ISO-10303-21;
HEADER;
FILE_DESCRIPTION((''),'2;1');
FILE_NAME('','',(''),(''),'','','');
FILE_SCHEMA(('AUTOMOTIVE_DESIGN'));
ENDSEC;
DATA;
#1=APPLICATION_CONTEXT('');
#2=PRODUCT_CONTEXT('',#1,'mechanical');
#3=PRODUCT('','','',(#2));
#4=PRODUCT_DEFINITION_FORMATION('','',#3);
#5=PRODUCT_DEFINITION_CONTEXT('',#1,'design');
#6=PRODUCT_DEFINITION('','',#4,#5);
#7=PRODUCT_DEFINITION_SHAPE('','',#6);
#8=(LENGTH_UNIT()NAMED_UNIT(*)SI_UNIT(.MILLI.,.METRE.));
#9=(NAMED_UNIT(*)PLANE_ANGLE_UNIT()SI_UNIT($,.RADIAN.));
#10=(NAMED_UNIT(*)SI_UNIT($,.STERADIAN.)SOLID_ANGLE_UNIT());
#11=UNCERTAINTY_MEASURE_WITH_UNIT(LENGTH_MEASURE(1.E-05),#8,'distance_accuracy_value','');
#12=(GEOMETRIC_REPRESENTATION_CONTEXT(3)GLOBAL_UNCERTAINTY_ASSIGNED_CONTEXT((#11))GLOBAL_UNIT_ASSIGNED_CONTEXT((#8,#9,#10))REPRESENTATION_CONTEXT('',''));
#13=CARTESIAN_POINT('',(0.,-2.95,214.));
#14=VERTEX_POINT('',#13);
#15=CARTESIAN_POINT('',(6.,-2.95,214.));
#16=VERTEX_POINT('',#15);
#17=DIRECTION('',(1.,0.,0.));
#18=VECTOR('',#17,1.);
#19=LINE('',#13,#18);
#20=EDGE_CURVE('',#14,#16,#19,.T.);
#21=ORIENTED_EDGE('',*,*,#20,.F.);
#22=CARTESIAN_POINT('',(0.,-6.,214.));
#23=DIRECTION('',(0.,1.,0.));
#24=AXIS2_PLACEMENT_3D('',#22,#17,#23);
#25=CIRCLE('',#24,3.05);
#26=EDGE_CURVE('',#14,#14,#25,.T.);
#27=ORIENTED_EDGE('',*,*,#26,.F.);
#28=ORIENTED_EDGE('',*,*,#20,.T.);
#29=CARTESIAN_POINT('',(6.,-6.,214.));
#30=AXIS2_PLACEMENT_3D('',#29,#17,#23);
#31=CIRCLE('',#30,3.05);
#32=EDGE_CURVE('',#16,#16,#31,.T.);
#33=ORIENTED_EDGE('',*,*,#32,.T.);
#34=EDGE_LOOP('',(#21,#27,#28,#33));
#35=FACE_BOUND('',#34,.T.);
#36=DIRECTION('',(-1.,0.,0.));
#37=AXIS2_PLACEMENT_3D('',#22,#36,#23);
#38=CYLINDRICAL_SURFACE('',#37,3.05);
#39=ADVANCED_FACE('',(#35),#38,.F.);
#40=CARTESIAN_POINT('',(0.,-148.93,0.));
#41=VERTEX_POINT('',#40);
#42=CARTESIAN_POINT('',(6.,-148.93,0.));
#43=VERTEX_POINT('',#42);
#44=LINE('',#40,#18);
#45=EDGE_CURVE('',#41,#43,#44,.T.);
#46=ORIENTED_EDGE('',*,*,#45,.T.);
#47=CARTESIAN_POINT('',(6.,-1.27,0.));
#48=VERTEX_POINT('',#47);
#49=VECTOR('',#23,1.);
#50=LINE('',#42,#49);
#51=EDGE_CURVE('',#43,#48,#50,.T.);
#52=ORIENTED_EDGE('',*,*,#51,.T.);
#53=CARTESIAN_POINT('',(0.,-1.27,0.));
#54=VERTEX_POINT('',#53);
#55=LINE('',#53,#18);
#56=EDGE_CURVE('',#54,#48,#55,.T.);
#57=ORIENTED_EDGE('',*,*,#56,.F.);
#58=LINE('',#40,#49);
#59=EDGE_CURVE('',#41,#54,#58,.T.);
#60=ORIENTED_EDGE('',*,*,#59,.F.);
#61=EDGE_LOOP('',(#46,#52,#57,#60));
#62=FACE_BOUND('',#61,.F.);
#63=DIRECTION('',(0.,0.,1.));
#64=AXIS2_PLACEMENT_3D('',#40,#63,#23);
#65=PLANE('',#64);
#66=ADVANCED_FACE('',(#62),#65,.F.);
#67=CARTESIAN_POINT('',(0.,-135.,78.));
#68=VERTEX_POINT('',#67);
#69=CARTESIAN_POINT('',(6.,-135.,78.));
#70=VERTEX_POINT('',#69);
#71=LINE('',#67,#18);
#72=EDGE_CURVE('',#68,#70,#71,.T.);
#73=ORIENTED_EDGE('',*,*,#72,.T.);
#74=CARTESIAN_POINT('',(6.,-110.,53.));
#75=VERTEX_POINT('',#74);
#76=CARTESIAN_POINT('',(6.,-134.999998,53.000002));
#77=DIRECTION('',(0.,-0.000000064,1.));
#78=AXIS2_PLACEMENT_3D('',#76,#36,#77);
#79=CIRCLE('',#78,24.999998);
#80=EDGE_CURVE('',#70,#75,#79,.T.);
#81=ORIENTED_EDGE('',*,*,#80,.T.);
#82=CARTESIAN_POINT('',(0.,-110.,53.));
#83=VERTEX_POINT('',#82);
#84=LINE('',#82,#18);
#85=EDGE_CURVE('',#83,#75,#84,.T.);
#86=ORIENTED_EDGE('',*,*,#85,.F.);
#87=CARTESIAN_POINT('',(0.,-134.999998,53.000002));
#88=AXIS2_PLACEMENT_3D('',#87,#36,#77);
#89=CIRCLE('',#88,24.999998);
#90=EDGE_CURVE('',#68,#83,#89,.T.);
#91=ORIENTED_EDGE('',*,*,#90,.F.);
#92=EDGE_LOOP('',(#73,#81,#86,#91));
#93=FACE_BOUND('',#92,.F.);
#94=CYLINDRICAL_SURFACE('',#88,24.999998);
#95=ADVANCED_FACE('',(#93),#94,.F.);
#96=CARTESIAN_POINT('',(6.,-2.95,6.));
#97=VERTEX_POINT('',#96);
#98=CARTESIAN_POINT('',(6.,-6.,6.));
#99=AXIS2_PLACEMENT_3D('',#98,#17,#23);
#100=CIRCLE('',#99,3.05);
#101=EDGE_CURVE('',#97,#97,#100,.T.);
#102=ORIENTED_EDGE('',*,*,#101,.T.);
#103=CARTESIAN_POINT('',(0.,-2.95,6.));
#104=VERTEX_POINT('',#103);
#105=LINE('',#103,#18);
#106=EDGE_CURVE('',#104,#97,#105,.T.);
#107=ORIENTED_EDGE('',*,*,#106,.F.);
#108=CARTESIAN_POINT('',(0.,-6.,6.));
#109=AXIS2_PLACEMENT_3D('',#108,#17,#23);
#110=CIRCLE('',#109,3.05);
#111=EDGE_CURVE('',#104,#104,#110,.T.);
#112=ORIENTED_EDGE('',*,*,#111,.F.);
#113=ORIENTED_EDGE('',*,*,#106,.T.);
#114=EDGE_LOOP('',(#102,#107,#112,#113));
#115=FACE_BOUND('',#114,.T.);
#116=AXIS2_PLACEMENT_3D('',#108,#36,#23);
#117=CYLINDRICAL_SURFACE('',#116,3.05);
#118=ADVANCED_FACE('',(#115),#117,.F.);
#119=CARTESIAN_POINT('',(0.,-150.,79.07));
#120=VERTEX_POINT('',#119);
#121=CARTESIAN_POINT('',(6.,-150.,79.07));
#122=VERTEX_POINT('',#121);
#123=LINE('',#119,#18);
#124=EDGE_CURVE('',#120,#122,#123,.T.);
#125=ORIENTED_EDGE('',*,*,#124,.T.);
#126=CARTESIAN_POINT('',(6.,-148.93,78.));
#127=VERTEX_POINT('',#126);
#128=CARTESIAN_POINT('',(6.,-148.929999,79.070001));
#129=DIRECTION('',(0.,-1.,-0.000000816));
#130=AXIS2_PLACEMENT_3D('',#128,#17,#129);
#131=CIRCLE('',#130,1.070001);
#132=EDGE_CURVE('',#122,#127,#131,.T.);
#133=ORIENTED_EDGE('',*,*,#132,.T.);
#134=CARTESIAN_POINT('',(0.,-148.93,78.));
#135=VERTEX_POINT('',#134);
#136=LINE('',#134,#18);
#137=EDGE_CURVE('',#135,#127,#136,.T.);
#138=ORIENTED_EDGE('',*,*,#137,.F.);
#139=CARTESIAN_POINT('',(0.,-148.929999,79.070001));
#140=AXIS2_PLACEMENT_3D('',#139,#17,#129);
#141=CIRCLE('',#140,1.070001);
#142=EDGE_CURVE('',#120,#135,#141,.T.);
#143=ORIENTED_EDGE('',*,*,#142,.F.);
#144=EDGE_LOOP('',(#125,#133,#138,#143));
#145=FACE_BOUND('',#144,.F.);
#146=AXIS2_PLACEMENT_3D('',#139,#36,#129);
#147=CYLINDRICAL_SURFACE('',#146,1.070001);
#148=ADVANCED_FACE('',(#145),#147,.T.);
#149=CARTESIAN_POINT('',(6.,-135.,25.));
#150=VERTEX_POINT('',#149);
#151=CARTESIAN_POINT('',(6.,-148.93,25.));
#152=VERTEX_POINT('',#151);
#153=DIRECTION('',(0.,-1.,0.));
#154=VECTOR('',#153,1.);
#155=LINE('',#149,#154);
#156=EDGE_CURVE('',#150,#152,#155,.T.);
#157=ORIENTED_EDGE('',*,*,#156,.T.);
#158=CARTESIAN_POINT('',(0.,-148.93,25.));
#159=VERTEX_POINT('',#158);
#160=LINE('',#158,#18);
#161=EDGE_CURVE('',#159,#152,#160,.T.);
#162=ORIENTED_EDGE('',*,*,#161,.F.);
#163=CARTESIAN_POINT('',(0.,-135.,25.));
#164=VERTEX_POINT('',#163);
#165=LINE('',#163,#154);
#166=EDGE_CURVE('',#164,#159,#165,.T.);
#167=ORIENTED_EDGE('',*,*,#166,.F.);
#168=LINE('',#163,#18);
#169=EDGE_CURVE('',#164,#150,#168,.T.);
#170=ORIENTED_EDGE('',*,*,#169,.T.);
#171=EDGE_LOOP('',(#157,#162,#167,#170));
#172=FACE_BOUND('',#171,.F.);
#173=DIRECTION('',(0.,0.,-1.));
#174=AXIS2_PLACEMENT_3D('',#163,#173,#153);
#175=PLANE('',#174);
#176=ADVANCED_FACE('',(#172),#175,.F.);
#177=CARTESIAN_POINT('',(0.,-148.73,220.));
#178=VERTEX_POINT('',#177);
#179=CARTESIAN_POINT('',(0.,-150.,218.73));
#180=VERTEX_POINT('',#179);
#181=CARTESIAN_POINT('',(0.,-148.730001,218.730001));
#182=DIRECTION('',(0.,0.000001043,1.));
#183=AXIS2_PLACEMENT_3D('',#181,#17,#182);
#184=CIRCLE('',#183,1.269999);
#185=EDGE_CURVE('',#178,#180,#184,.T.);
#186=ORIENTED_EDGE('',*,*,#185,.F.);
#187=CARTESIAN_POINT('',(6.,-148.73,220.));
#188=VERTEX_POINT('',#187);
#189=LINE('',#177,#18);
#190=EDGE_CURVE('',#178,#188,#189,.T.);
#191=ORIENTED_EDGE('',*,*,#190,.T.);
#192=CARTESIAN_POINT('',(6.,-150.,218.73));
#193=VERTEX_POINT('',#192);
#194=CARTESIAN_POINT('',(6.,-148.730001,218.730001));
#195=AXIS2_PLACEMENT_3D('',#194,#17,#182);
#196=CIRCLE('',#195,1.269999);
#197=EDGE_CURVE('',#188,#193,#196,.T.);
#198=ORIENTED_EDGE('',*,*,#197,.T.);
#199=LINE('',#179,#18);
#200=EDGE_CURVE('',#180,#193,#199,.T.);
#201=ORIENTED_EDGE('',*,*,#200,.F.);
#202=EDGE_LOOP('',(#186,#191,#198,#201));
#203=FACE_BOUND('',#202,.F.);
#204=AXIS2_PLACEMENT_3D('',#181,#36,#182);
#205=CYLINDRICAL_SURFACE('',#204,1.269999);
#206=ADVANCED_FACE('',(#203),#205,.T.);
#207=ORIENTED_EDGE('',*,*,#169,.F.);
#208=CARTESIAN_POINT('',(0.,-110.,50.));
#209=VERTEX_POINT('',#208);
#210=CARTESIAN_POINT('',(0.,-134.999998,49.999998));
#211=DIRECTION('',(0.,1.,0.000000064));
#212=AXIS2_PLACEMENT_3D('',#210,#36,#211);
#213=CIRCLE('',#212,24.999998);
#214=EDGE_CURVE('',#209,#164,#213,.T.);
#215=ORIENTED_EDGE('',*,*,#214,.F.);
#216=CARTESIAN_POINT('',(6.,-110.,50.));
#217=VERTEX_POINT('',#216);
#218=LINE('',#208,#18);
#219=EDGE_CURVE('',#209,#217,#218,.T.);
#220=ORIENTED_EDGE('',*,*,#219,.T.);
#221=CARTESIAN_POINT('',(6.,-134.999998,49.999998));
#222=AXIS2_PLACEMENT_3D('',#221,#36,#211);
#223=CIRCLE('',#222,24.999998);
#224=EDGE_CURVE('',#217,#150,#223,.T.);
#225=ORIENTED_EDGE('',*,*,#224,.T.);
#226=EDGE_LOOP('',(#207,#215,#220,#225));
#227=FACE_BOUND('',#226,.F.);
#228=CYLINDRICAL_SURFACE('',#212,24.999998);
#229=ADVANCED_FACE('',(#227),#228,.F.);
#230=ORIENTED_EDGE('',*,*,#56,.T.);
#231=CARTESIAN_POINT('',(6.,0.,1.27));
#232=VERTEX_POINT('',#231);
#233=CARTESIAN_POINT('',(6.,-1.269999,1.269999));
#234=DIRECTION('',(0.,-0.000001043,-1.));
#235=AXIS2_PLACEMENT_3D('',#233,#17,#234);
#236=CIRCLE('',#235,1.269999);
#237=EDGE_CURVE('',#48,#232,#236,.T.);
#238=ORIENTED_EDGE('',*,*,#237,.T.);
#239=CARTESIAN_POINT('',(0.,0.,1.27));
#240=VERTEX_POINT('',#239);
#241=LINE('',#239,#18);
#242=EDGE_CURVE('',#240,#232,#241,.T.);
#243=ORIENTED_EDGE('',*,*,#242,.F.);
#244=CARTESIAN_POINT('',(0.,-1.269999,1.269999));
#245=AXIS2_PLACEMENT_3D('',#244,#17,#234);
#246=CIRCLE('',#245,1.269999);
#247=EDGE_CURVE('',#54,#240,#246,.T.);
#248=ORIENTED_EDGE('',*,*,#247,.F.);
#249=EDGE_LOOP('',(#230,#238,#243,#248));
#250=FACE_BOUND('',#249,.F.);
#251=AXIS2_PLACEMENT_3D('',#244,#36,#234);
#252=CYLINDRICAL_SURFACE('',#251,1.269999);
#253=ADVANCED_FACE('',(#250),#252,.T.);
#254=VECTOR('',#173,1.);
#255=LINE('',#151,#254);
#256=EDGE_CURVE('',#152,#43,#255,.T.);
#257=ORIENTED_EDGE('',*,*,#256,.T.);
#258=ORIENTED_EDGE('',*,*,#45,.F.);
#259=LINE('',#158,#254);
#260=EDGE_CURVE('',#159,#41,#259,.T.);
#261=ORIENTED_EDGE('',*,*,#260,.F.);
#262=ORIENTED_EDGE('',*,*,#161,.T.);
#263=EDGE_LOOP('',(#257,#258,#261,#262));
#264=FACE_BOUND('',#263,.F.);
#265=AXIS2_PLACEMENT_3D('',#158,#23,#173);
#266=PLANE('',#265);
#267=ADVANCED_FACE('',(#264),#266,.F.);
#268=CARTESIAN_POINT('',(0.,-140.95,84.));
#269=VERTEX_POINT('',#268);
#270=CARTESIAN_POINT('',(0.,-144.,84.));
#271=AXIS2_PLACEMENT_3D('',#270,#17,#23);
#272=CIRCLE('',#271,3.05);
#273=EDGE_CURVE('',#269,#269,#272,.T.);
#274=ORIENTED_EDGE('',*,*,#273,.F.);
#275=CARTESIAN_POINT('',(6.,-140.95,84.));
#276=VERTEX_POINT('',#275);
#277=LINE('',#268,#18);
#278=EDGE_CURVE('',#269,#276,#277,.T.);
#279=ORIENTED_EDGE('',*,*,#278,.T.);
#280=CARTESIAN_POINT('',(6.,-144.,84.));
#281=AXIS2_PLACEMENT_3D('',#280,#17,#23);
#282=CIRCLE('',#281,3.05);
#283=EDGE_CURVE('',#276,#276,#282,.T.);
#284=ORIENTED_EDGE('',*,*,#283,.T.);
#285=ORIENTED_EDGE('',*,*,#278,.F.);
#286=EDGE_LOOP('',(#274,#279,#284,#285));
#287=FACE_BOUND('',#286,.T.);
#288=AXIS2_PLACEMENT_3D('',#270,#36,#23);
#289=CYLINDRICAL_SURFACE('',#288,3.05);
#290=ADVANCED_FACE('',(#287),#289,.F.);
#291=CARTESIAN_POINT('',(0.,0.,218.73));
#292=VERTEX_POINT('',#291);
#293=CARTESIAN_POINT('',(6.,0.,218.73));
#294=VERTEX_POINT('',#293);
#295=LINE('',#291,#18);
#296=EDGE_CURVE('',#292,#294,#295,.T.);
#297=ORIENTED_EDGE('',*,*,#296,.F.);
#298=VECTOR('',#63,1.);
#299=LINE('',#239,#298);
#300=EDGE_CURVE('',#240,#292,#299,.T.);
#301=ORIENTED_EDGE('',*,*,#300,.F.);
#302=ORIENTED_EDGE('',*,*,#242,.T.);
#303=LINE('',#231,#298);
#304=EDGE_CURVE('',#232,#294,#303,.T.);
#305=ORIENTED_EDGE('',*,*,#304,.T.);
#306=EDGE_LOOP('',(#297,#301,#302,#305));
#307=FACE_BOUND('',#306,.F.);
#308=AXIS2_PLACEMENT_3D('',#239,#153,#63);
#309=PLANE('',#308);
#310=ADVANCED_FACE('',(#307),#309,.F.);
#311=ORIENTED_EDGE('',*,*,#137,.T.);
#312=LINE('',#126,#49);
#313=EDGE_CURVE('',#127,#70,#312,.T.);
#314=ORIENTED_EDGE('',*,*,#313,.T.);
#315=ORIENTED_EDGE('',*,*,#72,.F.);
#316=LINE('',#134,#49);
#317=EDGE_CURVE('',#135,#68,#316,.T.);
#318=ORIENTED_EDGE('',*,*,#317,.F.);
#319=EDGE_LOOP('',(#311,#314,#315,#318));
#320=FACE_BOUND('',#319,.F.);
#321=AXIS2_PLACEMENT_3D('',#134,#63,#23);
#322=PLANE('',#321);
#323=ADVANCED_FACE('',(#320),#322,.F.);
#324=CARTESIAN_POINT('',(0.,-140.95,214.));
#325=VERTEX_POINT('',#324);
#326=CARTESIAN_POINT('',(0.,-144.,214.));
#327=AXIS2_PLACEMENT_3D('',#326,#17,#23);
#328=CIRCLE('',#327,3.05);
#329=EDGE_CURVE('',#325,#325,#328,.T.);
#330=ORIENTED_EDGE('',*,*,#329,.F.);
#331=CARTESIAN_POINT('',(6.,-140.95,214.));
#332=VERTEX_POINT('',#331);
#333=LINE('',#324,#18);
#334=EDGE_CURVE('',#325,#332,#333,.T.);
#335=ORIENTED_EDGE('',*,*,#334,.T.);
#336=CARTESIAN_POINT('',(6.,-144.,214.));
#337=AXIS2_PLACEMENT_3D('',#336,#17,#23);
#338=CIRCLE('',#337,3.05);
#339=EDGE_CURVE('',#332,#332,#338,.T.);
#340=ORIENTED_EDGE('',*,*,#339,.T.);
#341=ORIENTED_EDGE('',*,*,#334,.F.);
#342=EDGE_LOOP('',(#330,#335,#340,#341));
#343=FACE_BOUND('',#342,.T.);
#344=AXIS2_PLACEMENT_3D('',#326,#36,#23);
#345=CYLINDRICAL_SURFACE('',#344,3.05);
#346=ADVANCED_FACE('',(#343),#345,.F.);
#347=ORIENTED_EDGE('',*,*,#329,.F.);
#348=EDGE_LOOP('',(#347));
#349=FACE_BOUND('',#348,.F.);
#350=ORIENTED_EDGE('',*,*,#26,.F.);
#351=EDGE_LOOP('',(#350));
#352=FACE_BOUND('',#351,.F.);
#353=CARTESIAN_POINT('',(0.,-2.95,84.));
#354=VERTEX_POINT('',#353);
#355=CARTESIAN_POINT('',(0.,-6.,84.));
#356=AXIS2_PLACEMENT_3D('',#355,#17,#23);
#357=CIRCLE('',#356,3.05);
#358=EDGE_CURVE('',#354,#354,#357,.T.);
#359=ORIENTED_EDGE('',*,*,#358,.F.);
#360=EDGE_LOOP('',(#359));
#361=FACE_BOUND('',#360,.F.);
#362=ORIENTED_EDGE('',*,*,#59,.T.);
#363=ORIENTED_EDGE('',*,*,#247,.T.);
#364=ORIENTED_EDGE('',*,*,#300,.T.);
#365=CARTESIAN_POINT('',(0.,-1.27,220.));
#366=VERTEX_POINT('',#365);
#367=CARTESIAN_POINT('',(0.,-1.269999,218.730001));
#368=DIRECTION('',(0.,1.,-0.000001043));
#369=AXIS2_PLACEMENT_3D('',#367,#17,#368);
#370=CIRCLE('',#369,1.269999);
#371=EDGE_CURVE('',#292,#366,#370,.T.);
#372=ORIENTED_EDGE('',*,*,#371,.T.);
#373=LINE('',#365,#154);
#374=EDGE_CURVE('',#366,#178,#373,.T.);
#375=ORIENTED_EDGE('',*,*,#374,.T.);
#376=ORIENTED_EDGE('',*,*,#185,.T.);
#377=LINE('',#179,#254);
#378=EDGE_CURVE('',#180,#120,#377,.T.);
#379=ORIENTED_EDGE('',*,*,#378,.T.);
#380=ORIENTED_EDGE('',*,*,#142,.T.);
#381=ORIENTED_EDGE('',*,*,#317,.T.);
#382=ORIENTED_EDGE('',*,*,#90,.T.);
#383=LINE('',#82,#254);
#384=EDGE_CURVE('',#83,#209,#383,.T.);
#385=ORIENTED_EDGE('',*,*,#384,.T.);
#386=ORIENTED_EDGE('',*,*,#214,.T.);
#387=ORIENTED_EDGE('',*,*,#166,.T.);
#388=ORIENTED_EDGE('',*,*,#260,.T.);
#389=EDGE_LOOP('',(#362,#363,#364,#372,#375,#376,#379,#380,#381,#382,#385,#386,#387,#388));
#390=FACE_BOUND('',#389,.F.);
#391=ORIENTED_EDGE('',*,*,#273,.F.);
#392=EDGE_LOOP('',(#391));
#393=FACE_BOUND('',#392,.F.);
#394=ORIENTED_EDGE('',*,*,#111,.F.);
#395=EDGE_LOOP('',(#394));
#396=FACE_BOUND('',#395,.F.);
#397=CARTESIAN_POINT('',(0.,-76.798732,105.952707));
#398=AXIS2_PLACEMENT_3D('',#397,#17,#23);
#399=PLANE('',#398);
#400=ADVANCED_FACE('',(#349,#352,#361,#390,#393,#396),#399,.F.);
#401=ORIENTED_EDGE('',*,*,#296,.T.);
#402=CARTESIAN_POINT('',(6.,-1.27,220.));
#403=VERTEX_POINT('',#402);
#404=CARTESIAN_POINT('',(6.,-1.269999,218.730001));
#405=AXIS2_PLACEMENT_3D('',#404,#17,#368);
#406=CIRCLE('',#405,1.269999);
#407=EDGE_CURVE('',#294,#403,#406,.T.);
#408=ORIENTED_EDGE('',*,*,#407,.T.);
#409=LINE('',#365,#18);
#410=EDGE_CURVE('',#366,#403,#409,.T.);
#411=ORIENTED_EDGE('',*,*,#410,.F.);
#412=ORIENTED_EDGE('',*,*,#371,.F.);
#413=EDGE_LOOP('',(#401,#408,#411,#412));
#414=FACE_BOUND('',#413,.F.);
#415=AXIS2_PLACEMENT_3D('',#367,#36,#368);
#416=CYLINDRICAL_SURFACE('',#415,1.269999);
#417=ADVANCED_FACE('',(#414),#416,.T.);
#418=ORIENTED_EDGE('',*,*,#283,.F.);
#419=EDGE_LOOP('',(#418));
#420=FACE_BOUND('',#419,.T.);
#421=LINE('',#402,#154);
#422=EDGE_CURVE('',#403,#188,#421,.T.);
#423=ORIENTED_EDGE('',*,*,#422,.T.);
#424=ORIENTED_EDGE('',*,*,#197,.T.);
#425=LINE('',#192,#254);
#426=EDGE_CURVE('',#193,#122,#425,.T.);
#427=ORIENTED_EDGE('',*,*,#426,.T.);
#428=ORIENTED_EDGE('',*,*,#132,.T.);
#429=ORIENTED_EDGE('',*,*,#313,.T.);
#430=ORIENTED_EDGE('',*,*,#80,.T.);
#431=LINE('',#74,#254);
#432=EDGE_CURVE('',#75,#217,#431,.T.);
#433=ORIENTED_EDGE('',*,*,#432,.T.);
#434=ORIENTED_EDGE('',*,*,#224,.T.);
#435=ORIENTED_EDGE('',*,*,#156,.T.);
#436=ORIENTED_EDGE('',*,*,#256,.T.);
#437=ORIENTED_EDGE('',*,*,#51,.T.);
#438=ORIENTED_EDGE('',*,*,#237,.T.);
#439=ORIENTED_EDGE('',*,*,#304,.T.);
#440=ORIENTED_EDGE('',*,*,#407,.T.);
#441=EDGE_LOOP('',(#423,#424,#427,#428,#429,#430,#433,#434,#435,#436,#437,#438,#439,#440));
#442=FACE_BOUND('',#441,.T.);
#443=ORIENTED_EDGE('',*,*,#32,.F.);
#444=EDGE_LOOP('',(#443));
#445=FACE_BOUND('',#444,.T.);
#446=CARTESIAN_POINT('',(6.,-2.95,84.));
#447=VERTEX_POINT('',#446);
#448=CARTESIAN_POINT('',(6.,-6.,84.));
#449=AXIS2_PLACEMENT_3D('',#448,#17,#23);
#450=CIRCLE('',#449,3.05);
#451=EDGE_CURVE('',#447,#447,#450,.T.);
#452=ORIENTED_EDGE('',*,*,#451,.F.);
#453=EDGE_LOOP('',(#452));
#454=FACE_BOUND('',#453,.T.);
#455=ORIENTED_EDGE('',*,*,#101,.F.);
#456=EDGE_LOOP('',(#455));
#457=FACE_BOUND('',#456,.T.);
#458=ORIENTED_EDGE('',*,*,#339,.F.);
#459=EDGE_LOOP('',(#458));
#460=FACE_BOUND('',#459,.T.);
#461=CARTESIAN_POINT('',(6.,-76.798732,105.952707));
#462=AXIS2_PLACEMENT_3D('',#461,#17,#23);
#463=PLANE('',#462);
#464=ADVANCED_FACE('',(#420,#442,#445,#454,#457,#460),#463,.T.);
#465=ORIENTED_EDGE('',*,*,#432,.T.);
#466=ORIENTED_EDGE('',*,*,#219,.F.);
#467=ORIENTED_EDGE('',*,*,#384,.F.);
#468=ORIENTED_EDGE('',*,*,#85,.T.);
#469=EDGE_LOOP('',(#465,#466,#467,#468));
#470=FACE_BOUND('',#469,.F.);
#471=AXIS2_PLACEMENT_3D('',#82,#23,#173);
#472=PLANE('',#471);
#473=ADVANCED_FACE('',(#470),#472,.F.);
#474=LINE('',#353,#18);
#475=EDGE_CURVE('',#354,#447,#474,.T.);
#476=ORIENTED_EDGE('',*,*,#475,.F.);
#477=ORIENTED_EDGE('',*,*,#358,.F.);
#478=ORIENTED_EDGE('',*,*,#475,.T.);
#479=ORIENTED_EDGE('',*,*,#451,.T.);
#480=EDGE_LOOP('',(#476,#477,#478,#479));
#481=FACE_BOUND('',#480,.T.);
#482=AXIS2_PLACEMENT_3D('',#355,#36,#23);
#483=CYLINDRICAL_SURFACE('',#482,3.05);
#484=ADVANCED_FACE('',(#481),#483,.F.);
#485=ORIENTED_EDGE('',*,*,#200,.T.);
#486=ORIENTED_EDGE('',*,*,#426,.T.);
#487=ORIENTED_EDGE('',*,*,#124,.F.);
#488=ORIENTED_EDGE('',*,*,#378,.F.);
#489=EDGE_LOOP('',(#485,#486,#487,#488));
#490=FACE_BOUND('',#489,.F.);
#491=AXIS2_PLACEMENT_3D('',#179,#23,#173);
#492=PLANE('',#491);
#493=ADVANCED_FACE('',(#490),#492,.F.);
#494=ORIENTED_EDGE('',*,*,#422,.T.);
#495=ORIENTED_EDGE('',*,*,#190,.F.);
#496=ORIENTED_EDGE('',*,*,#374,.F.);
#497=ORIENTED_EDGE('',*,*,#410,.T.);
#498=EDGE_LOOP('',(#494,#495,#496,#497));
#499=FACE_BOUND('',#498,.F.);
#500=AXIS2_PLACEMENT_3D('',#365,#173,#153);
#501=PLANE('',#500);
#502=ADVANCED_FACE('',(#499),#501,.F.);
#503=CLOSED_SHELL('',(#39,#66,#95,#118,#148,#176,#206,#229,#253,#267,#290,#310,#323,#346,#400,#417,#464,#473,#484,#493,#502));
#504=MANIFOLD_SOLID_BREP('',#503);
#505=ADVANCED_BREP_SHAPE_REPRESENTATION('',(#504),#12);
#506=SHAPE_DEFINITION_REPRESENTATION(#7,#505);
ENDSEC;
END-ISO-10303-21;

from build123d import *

# Parameters (mm, degrees)
F0_R     = 3.05
F1_DEPTH = 6


with BuildPart() as f1:
    # F0 (on Right) → F1 (new body)
    with BuildSketch(Plane.YZ):
        with BuildLine():
            Line((-53.231705, 0), (-1.27, 0))
            ThreePointArc((-1.27, 0), (-0.371974, 0.371974), (0, 1.27))
            Line((0, 1.27), (0, 218.73))
            ThreePointArc((0, 218.73), (-0.371974, 219.628026), (-1.27, 220))
            Line((-1.27, 220), (-148.73, 220))
            ThreePointArc((-148.73, 220), (-149.628026, 219.628026), (-150, 218.73))
            Line((-150, 218.73), (-150, 79.07))
            ThreePointArc((-150, 79.07), (-149.686604, 78.313396), (-148.93, 78))
            Line((-148.93, 78), (-135, 78))
            ThreePointArc((-135, 78), (-117.32233, 70.67767), (-110, 53))
            Line((-110, 53), (-110, 50))
            ThreePointArc((-110, 50), (-117.32233, 32.32233), (-135, 25))
            Line((-135, 25), (-148.93, 25))
            Line((-148.93, 25), (-148.93, 0))
            Line((-148.93, 0), (-68.73, 0))
            Line((-68.73, 0), (-53.231705, 0))
        make_face()
        with Locations((-144, 84)):
            Circle(F0_R, mode=Mode.SUBTRACT)
        with Locations((-6, 6)):
            Circle(F0_R, mode=Mode.SUBTRACT)
        with Locations((-6, 84)):
            Circle(F0_R, mode=Mode.SUBTRACT)
        with Locations((-144, 214)):
            Circle(F0_R, mode=Mode.SUBTRACT)
        with Locations((-6, 214)):
            Circle(F0_R, mode=Mode.SUBTRACT)
    extrude(amount=F1_DEPTH)


solid = f1.part
